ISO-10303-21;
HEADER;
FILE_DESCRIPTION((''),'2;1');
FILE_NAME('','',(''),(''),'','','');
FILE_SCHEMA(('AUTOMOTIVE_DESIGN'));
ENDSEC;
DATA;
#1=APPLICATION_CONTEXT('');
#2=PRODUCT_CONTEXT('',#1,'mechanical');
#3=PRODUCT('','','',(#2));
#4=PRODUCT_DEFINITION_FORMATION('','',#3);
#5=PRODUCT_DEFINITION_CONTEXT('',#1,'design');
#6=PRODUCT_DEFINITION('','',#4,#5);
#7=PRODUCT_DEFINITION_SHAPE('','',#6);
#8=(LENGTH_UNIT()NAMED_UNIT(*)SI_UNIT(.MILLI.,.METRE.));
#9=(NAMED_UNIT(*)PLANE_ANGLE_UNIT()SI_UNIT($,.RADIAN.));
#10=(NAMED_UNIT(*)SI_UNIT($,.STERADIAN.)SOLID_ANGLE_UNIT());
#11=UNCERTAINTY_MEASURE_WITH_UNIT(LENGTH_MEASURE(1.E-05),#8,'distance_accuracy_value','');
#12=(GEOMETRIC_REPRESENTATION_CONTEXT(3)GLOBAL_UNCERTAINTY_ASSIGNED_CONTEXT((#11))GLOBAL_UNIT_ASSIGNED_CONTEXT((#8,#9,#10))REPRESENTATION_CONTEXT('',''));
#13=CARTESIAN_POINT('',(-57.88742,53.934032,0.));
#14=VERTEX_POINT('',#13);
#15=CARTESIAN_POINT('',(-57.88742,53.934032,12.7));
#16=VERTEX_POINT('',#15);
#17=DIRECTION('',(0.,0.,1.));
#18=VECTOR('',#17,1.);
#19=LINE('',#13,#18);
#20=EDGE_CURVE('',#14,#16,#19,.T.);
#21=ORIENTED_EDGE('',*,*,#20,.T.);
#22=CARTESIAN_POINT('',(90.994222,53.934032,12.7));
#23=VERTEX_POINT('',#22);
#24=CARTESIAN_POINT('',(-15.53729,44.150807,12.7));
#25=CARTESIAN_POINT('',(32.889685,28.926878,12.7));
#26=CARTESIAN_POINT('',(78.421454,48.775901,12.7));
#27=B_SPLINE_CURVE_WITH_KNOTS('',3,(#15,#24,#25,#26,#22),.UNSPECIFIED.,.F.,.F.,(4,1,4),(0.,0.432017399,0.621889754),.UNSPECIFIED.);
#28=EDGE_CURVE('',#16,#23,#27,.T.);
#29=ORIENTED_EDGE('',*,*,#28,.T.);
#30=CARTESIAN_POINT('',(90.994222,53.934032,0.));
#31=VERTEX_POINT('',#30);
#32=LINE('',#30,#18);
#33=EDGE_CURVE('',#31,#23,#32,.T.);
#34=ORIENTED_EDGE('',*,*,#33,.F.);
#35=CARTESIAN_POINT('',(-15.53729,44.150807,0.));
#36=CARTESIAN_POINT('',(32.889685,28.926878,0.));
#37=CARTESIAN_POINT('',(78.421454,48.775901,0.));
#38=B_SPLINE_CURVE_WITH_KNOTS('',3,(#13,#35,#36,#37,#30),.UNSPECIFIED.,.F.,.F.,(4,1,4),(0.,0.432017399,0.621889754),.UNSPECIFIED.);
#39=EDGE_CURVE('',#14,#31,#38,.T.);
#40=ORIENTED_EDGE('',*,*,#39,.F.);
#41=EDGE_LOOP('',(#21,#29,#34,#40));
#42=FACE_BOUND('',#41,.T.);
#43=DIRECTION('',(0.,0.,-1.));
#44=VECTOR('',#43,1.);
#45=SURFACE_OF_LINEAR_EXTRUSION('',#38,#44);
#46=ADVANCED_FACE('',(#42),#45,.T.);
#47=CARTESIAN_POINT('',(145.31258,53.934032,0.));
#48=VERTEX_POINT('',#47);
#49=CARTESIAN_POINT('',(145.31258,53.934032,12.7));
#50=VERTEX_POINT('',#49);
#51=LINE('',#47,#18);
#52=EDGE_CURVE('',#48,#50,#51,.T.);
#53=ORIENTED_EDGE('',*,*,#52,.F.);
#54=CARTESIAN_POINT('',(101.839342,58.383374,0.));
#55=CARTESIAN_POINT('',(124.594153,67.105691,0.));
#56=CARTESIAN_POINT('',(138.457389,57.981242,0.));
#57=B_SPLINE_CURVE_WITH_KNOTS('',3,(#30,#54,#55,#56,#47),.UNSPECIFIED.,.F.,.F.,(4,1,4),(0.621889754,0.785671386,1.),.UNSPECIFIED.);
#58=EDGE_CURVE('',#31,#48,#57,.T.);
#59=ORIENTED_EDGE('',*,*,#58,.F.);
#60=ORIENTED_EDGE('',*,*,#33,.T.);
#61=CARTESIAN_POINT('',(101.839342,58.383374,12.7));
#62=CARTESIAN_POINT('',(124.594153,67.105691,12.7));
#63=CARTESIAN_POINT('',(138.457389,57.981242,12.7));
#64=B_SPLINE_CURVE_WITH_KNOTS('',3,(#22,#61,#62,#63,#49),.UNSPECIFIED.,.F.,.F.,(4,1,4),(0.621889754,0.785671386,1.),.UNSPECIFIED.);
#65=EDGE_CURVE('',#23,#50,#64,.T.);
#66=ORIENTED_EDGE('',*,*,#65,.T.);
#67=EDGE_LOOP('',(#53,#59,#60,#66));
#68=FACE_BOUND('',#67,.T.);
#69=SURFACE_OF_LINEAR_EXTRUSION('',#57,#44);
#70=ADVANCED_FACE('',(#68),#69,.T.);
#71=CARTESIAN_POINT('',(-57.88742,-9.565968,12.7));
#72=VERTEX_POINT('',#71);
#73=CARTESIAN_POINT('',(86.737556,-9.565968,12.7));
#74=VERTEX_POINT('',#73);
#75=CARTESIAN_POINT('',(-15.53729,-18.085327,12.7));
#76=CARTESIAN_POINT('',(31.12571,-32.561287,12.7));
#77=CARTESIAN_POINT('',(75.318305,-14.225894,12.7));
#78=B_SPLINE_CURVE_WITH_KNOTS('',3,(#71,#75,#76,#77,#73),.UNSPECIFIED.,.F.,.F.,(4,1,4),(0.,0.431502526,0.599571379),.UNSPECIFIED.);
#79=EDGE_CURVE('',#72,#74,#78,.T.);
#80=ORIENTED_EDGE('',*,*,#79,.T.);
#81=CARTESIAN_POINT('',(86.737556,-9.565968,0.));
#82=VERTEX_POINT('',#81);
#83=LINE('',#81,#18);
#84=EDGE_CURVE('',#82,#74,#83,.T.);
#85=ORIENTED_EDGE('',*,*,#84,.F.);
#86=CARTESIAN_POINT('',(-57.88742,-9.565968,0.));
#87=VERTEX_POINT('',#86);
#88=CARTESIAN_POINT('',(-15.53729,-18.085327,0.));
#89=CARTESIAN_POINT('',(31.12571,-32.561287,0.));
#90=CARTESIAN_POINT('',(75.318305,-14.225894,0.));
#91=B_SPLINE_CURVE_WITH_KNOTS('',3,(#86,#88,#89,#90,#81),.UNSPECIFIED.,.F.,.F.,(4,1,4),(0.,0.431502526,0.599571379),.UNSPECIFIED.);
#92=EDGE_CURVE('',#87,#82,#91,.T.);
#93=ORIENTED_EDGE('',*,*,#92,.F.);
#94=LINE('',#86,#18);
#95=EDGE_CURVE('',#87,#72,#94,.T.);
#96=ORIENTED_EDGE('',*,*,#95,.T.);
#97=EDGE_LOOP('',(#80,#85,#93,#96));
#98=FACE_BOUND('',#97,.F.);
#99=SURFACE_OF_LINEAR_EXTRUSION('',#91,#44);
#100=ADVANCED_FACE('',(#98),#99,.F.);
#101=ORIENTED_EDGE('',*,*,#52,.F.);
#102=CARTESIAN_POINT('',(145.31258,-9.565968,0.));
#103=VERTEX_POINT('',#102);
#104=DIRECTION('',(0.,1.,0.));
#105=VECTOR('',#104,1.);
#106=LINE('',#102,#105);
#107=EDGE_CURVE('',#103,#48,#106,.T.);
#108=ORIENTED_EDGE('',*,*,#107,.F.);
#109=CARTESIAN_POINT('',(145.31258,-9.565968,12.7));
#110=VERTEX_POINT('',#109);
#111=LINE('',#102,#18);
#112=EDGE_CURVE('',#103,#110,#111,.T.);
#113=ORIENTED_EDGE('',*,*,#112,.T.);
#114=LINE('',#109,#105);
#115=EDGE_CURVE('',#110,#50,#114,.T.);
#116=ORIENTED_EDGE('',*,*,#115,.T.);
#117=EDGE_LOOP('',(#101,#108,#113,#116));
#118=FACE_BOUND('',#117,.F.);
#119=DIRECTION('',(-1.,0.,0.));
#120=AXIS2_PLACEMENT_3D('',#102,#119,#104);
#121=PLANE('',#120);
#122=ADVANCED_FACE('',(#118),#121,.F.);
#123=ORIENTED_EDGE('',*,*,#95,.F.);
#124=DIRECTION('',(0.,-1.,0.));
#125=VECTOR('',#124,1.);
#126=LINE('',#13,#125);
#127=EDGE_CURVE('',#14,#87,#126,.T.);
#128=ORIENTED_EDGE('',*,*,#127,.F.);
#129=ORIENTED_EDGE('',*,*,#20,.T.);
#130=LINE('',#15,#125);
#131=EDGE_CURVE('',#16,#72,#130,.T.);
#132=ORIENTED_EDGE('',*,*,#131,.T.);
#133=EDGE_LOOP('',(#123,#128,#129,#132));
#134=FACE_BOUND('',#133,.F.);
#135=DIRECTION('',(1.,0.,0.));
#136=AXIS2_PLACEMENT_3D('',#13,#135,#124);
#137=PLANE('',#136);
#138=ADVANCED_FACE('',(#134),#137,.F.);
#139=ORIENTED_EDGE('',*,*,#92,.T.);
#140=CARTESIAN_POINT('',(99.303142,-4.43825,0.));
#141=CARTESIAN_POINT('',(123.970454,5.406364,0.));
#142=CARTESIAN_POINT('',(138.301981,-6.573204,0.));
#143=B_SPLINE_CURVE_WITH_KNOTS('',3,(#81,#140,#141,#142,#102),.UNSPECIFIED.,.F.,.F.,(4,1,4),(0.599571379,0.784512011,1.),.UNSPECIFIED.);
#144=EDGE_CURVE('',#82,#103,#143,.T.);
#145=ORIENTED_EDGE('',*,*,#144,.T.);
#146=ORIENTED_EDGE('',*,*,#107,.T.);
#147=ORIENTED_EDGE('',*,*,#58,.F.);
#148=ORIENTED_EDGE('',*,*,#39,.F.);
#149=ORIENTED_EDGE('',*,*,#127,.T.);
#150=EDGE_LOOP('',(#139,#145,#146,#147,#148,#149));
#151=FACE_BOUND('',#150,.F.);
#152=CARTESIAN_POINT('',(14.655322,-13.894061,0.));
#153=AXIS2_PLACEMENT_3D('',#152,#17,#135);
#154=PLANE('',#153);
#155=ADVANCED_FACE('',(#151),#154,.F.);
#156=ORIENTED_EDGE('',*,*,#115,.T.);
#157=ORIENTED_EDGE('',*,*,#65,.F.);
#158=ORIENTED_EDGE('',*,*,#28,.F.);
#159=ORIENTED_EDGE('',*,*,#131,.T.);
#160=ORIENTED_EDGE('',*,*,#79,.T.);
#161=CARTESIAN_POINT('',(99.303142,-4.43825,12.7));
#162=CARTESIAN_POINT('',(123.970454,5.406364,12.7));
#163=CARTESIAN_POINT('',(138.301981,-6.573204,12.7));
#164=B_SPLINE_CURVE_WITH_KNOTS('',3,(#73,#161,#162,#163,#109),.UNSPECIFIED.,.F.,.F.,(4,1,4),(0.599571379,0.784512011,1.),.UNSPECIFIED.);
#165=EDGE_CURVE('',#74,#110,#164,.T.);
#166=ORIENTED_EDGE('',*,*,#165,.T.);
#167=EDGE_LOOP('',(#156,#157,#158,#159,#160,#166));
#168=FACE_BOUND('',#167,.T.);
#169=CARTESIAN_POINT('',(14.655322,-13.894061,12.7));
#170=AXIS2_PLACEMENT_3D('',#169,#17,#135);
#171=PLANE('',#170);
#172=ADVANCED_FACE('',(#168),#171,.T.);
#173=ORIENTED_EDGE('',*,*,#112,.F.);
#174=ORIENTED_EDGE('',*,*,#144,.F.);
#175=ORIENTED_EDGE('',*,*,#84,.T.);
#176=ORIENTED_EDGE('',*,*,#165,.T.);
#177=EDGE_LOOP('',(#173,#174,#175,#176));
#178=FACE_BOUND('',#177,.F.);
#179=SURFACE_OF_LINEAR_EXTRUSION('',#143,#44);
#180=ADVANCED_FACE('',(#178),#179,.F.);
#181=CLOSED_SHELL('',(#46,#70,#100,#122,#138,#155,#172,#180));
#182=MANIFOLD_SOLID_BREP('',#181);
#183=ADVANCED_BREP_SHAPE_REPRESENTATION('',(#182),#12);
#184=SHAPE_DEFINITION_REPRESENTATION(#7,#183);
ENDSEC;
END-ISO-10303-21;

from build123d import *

# Parameters (mm, degrees)
F1_DEPTH = 12.7


with BuildPart() as f1:
    # F0 (on Top) → F1 (new body)
    with BuildSketch(Plane.XY):
        with BuildLine():
            Line((86.7375563659, -9.5659682199), (-57.8874200583, -9.5659682199))
            add(Edge.make_bspline(
                [(-57.8874200583, -9.5659682199), (-15.5372899026, -18.0853269994), (31.1257096461, -32.5612871735), (75.3183046829, -14.2258941015), (86.7375563659, -9.5659682199)],
                knots=[0, 0, 0, 0, 0.4315025265, 0.5995713788, 0.5995713788, 0.5995713788, 0.5995713788], degree=3))
        make_face()
        with BuildLine():
            add(Edge.make_bspline(
                [(-57.8874200583, 53.9340317801), (-15.5372899026, 44.1508069634), (32.8896853146, 28.926877693), (78.4214537847, 48.7759008936), (90.9942217823, 53.9340317801)],
                knots=[0, 0, 0, 0, 0.4320173994, 0.621889754, 0.621889754, 0.621889754, 0.621889754], degree=3))
            Line((-57.8874200583, 53.9340317801), (-57.8874200583, -9.5659682199))
            Line((-57.8874200583, -9.5659682199), (86.7375563659, -9.5659682199))
            add(Edge.make_bspline(
                [(86.7375563659, -9.5659682199), (99.3031424411, -4.4382504505), (123.9704535558, 5.4063635599), (138.3019810991, -6.5732044802), (145.3125799417, -9.5659682199)],
                knots=[0.5995713788, 0.5995713788, 0.5995713788, 0.5995713788, 0.7845120114, 1, 1, 1, 1], degree=3))
            Line((145.3125799417, -9.5659682199), (145.3125799417, 53.9340317801))
            Line((145.3125799417, 53.9340317801), (90.9942217823, 53.9340317801))
        make_face()
        with BuildLine():
            add(Edge.make_bspline(
                [(90.9942217823, 53.9340317801), (101.8393417617, 58.3833740684), (124.5941526904, 67.1056911477), (138.4573890247, 57.9812418233), (145.3125799417, 53.9340317801)],
                knots=[0.621889754, 0.621889754, 0.621889754, 0.621889754, 0.7856713864, 1, 1, 1, 1], degree=3))
            Line((90.9942217823, 53.9340317801), (145.3125799417, 53.9340317801))
        make_face()
    extrude(amount=F1_DEPTH)


solid = f1.part
